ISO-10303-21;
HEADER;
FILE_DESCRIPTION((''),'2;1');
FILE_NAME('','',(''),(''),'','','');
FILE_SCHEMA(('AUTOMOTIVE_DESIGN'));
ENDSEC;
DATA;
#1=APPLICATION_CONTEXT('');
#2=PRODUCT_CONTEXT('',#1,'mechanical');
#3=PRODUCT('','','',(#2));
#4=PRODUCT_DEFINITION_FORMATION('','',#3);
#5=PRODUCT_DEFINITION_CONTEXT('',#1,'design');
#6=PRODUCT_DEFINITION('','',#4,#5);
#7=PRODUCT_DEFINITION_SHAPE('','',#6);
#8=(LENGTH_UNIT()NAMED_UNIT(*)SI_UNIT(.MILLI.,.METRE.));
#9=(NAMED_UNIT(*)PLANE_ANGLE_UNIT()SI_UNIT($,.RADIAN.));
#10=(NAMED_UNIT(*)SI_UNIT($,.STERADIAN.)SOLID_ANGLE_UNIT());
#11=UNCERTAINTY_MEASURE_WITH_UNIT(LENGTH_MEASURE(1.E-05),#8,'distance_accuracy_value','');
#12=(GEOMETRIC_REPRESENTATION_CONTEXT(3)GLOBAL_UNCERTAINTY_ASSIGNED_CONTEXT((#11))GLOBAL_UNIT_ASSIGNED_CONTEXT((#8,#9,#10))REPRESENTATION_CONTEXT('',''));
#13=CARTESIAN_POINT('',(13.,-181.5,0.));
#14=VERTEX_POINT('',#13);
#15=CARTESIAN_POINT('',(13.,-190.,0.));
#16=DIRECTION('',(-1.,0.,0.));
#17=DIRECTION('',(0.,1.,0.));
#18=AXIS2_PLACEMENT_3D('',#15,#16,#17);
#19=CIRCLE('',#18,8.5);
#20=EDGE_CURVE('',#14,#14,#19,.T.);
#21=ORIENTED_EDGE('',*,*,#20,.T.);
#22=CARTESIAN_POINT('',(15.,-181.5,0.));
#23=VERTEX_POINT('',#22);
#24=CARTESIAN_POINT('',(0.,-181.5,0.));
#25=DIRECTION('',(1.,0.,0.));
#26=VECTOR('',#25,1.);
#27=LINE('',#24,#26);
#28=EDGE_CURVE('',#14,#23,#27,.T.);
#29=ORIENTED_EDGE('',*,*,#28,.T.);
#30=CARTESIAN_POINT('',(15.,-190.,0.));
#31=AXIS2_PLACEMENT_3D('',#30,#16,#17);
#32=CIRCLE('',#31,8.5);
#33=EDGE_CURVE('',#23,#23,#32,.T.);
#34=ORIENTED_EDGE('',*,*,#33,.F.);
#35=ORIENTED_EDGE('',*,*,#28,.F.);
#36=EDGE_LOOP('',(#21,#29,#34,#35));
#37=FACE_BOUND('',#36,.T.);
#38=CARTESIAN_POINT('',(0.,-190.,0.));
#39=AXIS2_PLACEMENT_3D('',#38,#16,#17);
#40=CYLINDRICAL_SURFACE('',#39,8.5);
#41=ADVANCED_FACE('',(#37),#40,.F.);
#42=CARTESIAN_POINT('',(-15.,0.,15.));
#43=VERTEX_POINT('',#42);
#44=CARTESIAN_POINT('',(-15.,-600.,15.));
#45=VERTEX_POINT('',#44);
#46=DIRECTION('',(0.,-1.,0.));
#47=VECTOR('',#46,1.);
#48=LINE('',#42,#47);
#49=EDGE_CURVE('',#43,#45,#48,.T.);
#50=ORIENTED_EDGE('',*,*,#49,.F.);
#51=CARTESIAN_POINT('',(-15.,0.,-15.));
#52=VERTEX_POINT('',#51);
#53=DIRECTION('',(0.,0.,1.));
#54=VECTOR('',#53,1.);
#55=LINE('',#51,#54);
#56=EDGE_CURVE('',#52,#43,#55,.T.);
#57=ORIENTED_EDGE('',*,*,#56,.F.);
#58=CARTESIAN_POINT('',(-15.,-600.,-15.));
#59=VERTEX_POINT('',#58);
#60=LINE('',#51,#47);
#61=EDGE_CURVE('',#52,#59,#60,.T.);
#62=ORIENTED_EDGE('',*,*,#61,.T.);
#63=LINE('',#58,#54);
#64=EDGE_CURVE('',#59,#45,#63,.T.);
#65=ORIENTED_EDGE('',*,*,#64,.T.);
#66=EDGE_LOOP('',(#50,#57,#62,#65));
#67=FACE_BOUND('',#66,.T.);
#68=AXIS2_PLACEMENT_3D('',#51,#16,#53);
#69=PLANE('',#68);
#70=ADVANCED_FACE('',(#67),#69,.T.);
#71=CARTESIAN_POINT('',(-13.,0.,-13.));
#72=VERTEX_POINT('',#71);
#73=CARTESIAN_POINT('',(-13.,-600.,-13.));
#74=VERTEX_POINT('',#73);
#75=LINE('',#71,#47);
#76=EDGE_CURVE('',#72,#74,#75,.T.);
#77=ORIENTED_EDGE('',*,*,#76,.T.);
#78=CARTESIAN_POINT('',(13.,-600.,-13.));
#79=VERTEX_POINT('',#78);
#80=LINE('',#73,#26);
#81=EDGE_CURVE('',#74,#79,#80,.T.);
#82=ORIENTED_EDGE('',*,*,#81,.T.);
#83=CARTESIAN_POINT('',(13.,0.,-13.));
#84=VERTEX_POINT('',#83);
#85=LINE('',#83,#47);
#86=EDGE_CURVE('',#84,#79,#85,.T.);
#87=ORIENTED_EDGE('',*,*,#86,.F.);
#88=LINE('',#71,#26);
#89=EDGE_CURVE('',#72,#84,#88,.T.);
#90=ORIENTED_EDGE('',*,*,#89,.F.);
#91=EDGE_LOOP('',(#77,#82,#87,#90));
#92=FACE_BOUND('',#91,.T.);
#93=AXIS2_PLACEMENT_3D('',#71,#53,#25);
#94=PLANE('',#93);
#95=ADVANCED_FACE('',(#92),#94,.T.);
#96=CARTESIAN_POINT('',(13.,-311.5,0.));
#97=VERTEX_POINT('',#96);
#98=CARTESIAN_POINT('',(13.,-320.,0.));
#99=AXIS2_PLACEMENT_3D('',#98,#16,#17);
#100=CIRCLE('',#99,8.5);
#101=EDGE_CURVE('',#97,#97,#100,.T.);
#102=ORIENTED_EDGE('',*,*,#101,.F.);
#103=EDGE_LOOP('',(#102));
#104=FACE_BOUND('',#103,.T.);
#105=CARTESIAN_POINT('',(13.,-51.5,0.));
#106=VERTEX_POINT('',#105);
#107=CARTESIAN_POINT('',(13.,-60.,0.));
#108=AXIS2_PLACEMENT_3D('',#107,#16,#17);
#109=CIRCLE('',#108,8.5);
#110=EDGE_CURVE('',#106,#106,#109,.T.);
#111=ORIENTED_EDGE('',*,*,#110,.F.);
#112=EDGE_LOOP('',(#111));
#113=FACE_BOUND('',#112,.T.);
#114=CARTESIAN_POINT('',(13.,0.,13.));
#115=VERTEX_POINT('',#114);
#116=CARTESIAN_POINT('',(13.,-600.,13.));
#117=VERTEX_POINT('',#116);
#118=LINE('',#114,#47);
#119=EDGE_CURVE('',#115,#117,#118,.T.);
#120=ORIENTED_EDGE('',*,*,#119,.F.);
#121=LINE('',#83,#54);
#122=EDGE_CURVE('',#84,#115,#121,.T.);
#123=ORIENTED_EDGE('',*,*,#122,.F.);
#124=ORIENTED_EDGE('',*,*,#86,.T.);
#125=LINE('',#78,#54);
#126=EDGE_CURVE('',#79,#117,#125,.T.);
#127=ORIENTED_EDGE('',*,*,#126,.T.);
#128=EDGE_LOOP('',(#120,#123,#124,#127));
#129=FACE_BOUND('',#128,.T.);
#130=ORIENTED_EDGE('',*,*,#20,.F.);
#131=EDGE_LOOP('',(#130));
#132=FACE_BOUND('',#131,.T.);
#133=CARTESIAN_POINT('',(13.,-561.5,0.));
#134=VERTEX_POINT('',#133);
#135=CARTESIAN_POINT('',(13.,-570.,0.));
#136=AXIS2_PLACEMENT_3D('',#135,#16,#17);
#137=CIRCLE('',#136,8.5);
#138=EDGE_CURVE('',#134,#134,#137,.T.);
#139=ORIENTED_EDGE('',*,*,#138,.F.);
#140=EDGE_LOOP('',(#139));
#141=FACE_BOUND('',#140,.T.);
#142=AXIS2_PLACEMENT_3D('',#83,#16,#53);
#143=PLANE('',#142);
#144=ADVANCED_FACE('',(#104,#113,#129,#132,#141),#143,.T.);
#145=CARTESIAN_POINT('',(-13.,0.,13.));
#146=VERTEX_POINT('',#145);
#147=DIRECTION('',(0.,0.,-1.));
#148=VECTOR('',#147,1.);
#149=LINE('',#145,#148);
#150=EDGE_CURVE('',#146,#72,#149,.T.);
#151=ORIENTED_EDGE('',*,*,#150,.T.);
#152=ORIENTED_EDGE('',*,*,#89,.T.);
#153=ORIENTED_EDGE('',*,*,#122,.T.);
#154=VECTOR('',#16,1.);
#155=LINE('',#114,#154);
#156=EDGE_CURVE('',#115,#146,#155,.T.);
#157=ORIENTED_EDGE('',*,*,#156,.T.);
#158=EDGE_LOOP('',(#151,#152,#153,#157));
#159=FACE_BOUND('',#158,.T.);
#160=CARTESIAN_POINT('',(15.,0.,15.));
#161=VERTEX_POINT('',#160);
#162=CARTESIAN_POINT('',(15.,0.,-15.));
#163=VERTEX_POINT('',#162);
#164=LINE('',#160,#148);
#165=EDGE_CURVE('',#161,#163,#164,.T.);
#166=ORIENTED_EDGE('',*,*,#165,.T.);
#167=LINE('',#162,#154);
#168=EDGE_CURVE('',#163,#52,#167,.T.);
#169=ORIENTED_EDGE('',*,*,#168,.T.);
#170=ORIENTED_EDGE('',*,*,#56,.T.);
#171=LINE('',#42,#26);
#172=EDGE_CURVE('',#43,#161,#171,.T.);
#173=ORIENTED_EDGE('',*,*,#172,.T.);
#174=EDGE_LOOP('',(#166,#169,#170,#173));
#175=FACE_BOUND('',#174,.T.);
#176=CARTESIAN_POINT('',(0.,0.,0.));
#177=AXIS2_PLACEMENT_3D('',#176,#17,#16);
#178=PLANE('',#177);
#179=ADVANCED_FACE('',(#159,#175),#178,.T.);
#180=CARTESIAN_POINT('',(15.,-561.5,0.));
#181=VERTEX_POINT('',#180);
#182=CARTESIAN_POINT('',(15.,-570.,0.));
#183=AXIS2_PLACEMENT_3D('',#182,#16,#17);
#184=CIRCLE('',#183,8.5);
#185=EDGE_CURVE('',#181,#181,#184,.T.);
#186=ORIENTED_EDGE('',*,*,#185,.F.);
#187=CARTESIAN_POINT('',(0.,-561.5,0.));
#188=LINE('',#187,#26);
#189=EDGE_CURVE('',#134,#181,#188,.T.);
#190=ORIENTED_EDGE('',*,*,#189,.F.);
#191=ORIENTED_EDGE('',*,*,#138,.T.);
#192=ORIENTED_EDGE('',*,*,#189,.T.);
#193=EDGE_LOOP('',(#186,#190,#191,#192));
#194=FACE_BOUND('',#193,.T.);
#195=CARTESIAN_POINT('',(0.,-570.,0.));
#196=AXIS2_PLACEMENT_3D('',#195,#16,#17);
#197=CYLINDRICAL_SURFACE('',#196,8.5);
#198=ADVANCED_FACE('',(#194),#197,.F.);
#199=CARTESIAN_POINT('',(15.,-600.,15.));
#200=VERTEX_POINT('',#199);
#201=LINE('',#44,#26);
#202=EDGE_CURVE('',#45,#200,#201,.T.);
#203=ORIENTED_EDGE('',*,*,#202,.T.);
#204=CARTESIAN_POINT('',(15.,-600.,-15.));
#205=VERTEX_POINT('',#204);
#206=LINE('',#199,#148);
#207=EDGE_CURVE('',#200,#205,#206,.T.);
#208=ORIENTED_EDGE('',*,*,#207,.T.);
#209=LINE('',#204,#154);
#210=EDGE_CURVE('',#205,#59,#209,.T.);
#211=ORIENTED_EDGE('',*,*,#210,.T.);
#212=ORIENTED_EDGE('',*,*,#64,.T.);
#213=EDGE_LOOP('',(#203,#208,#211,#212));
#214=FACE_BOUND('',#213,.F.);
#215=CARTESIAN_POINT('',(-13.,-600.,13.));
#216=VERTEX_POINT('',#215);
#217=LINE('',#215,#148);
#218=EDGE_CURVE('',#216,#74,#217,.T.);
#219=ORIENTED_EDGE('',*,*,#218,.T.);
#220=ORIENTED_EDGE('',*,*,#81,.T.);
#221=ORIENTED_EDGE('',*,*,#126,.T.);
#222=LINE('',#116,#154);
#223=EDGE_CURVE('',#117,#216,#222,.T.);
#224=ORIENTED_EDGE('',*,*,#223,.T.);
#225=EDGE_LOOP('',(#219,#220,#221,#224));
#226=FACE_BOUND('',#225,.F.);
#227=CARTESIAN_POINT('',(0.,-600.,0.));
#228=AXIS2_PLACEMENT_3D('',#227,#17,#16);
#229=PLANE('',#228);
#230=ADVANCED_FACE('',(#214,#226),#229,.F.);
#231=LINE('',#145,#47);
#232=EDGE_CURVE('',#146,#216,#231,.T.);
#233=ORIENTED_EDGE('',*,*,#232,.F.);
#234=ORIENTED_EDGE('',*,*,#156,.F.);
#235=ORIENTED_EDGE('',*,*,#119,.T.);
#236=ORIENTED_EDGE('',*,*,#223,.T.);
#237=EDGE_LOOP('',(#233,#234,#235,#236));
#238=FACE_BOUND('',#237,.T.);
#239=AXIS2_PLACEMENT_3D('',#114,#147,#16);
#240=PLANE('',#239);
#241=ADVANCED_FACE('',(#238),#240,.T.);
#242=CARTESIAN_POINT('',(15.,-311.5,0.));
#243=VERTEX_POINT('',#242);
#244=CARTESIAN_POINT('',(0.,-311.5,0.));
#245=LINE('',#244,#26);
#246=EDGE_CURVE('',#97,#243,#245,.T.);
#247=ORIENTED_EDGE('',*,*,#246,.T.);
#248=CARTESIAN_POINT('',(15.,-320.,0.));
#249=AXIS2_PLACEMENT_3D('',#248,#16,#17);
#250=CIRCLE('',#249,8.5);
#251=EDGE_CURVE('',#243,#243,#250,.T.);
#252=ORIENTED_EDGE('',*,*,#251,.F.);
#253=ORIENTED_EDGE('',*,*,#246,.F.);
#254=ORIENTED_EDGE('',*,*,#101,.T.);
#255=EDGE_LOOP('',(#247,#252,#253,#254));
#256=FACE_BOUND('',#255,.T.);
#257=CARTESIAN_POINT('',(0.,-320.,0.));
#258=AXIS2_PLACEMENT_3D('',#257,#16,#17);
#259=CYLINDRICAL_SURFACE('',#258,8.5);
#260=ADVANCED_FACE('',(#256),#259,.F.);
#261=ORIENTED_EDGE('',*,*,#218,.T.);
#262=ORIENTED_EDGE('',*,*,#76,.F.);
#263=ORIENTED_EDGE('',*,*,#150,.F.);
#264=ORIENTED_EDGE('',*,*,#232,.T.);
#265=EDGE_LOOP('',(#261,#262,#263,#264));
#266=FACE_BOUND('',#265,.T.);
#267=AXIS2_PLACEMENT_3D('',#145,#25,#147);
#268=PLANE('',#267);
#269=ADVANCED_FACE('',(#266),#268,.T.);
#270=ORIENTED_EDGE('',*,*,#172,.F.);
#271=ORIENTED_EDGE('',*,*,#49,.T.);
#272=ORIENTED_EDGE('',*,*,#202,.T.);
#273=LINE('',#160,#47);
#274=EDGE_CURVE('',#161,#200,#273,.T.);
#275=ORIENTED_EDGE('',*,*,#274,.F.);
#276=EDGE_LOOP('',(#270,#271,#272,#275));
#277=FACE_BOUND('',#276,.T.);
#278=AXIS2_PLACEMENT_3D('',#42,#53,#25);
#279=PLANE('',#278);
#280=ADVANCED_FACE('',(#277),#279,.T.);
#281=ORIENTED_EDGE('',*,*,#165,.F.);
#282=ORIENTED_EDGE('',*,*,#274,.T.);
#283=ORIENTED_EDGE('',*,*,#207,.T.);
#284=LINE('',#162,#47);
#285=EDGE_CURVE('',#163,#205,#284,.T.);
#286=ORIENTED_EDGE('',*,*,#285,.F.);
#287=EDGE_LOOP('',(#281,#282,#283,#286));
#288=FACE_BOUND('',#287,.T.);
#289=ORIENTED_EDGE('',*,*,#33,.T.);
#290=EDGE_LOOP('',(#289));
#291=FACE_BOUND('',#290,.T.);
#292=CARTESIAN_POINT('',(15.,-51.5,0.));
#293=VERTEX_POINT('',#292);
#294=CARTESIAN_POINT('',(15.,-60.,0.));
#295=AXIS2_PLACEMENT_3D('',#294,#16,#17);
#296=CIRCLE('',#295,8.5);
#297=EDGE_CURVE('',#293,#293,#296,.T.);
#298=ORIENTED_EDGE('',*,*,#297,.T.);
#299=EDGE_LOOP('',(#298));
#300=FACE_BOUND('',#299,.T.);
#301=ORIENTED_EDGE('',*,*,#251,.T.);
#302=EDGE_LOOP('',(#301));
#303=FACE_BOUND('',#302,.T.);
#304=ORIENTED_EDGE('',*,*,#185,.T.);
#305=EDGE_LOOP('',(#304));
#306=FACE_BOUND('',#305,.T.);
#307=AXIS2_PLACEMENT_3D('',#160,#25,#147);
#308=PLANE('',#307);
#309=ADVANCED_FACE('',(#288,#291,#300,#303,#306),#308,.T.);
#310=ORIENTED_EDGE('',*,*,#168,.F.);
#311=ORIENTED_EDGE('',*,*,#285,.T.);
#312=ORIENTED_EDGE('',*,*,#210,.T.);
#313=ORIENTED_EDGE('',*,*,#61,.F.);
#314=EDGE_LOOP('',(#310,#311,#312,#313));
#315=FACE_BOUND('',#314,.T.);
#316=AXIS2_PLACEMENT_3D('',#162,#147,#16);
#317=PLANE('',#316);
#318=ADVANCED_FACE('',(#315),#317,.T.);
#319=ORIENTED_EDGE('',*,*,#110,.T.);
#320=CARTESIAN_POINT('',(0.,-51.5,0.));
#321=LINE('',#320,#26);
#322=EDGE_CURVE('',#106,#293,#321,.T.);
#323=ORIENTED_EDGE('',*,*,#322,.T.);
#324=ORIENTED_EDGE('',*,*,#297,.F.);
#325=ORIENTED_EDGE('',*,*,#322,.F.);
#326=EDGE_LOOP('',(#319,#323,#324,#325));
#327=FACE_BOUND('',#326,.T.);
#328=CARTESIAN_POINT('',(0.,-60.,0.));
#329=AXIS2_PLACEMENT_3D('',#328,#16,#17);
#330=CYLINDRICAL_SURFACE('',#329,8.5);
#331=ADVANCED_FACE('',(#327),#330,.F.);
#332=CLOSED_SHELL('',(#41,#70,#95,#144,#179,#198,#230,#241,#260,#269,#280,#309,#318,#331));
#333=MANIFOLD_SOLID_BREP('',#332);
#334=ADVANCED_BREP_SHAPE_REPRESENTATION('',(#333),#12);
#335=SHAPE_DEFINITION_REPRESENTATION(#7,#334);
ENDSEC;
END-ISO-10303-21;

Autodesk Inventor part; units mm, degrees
ref_plane "YZ Plane" through (0, 0, 0) normal (1, 0, 0) x (0, 1, 0)
ref_plane "XZ Plane" through (0, 0, 0) normal (0, 1, 0) x (-1, 0, 0)
ref_plane "XY Plane" through (0, 0, 0) normal (0, 0, 1) x (1, 0, 0)
sketch "Sketch9" plane through (0, 0, 0) normal (0, 1, 0) x (-1, 0, 0)
  line L0 (15, 15) -> (-15, 15)
  line L1 (-15, 15) -> (-15, -15)
  line L2 (-15, -15) -> (15, -15)
  line L3 (15, -15) -> (15, 15)
  line L4 (15, 15) -> (-15, -15) construction
  line L5 (-15, 15) -> (15, -15) construction
  line L6 (-13, 13) -> (13, 13)
  line L7 (13, 13) -> (13, -13)
  line L8 (13, -13) -> (-13, -13)
  line L9 (-13, -13) -> (-13, 13)
  point P0 (0, 0)
  dimension "d172" = 30
  dimension "d173" = 30
  dimension "d174" = 2
extrude "Extrusion3" add sketch "Sketch9" against normal blind 600
sketch "Sketch10" plane through (0, 0, 0) normal (1, 0, 0) x (0, 1, 0)
  line L0 (0, 15) -> (0, -15) construction
  line L1 (0, 15) -> (-600, 15) construction
  line L2 (-600, -15) -> (-600, 15) construction
  line L3 (0, -15) -> (-600, -15) construction
  line L4 (-68.5, 8.5) -> (-51.5, 8.5)
  line L5 (-51.5, 8.5) -> (-51.5, -8.5)
  line L6 (-51.5, -8.5) -> (-68.5, -8.5)
  line L7 (-68.5, -8.5) -> (-68.5, 8.5)
  line L8 (-68.5, 8.5) -> (-51.5, -8.5) construction
  line L9 (-51.5, 8.5) -> (-68.5, -8.5) construction
  line L10 (-198.5, 8.5) -> (-181.5, 8.5)
  line L11 (-181.5, 8.5) -> (-181.5, -8.5)
  line L12 (-181.5, -8.5) -> (-198.5, -8.5)
  line L13 (-198.5, -8.5) -> (-198.5, 8.5)
  line L14 (-198.5, 8.5) -> (-181.5, -8.5) construction
  line L15 (-181.5, 8.5) -> (-198.5, -8.5) construction
  line L16 (-328.5, 8.5) -> (-311.5, 8.5)
  line L17 (-311.5, 8.5) -> (-311.5, -8.5)
  line L18 (-311.5, -8.5) -> (-328.5, -8.5)
  line L19 (-328.5, -8.5) -> (-328.5, 8.5)
  line L20 (-328.5, 8.5) -> (-311.5, -8.5) construction
  line L21 (-311.5, 8.5) -> (-328.5, -8.5) construction
  circle A0 centre (-570, 0) radius 8.5
  line L22 (0, 0) -> (30, 0)
  circle A1 centre (-60, 0) radius 8.5
  circle A2 centre (-190, 0) radius 8.5
  circle A3 centre (-320, 0) radius 8.5
  dimension "d177" = 17
  dimension "d178" = 17
  dimension "d181" = 30
  dimension "d182" = 90
  dimension "d183" = 220
  dimension "d184" = 350
  dimension "d185" = 600
  dimension "d186" = 17
extrude "Extrusion4" cut sketch "Sketch10" along normal through all contours A1 | A2 | A3 | A0
properties part number "APN 754 FDS 1200 way tube 1" material "Stainless Steel"
